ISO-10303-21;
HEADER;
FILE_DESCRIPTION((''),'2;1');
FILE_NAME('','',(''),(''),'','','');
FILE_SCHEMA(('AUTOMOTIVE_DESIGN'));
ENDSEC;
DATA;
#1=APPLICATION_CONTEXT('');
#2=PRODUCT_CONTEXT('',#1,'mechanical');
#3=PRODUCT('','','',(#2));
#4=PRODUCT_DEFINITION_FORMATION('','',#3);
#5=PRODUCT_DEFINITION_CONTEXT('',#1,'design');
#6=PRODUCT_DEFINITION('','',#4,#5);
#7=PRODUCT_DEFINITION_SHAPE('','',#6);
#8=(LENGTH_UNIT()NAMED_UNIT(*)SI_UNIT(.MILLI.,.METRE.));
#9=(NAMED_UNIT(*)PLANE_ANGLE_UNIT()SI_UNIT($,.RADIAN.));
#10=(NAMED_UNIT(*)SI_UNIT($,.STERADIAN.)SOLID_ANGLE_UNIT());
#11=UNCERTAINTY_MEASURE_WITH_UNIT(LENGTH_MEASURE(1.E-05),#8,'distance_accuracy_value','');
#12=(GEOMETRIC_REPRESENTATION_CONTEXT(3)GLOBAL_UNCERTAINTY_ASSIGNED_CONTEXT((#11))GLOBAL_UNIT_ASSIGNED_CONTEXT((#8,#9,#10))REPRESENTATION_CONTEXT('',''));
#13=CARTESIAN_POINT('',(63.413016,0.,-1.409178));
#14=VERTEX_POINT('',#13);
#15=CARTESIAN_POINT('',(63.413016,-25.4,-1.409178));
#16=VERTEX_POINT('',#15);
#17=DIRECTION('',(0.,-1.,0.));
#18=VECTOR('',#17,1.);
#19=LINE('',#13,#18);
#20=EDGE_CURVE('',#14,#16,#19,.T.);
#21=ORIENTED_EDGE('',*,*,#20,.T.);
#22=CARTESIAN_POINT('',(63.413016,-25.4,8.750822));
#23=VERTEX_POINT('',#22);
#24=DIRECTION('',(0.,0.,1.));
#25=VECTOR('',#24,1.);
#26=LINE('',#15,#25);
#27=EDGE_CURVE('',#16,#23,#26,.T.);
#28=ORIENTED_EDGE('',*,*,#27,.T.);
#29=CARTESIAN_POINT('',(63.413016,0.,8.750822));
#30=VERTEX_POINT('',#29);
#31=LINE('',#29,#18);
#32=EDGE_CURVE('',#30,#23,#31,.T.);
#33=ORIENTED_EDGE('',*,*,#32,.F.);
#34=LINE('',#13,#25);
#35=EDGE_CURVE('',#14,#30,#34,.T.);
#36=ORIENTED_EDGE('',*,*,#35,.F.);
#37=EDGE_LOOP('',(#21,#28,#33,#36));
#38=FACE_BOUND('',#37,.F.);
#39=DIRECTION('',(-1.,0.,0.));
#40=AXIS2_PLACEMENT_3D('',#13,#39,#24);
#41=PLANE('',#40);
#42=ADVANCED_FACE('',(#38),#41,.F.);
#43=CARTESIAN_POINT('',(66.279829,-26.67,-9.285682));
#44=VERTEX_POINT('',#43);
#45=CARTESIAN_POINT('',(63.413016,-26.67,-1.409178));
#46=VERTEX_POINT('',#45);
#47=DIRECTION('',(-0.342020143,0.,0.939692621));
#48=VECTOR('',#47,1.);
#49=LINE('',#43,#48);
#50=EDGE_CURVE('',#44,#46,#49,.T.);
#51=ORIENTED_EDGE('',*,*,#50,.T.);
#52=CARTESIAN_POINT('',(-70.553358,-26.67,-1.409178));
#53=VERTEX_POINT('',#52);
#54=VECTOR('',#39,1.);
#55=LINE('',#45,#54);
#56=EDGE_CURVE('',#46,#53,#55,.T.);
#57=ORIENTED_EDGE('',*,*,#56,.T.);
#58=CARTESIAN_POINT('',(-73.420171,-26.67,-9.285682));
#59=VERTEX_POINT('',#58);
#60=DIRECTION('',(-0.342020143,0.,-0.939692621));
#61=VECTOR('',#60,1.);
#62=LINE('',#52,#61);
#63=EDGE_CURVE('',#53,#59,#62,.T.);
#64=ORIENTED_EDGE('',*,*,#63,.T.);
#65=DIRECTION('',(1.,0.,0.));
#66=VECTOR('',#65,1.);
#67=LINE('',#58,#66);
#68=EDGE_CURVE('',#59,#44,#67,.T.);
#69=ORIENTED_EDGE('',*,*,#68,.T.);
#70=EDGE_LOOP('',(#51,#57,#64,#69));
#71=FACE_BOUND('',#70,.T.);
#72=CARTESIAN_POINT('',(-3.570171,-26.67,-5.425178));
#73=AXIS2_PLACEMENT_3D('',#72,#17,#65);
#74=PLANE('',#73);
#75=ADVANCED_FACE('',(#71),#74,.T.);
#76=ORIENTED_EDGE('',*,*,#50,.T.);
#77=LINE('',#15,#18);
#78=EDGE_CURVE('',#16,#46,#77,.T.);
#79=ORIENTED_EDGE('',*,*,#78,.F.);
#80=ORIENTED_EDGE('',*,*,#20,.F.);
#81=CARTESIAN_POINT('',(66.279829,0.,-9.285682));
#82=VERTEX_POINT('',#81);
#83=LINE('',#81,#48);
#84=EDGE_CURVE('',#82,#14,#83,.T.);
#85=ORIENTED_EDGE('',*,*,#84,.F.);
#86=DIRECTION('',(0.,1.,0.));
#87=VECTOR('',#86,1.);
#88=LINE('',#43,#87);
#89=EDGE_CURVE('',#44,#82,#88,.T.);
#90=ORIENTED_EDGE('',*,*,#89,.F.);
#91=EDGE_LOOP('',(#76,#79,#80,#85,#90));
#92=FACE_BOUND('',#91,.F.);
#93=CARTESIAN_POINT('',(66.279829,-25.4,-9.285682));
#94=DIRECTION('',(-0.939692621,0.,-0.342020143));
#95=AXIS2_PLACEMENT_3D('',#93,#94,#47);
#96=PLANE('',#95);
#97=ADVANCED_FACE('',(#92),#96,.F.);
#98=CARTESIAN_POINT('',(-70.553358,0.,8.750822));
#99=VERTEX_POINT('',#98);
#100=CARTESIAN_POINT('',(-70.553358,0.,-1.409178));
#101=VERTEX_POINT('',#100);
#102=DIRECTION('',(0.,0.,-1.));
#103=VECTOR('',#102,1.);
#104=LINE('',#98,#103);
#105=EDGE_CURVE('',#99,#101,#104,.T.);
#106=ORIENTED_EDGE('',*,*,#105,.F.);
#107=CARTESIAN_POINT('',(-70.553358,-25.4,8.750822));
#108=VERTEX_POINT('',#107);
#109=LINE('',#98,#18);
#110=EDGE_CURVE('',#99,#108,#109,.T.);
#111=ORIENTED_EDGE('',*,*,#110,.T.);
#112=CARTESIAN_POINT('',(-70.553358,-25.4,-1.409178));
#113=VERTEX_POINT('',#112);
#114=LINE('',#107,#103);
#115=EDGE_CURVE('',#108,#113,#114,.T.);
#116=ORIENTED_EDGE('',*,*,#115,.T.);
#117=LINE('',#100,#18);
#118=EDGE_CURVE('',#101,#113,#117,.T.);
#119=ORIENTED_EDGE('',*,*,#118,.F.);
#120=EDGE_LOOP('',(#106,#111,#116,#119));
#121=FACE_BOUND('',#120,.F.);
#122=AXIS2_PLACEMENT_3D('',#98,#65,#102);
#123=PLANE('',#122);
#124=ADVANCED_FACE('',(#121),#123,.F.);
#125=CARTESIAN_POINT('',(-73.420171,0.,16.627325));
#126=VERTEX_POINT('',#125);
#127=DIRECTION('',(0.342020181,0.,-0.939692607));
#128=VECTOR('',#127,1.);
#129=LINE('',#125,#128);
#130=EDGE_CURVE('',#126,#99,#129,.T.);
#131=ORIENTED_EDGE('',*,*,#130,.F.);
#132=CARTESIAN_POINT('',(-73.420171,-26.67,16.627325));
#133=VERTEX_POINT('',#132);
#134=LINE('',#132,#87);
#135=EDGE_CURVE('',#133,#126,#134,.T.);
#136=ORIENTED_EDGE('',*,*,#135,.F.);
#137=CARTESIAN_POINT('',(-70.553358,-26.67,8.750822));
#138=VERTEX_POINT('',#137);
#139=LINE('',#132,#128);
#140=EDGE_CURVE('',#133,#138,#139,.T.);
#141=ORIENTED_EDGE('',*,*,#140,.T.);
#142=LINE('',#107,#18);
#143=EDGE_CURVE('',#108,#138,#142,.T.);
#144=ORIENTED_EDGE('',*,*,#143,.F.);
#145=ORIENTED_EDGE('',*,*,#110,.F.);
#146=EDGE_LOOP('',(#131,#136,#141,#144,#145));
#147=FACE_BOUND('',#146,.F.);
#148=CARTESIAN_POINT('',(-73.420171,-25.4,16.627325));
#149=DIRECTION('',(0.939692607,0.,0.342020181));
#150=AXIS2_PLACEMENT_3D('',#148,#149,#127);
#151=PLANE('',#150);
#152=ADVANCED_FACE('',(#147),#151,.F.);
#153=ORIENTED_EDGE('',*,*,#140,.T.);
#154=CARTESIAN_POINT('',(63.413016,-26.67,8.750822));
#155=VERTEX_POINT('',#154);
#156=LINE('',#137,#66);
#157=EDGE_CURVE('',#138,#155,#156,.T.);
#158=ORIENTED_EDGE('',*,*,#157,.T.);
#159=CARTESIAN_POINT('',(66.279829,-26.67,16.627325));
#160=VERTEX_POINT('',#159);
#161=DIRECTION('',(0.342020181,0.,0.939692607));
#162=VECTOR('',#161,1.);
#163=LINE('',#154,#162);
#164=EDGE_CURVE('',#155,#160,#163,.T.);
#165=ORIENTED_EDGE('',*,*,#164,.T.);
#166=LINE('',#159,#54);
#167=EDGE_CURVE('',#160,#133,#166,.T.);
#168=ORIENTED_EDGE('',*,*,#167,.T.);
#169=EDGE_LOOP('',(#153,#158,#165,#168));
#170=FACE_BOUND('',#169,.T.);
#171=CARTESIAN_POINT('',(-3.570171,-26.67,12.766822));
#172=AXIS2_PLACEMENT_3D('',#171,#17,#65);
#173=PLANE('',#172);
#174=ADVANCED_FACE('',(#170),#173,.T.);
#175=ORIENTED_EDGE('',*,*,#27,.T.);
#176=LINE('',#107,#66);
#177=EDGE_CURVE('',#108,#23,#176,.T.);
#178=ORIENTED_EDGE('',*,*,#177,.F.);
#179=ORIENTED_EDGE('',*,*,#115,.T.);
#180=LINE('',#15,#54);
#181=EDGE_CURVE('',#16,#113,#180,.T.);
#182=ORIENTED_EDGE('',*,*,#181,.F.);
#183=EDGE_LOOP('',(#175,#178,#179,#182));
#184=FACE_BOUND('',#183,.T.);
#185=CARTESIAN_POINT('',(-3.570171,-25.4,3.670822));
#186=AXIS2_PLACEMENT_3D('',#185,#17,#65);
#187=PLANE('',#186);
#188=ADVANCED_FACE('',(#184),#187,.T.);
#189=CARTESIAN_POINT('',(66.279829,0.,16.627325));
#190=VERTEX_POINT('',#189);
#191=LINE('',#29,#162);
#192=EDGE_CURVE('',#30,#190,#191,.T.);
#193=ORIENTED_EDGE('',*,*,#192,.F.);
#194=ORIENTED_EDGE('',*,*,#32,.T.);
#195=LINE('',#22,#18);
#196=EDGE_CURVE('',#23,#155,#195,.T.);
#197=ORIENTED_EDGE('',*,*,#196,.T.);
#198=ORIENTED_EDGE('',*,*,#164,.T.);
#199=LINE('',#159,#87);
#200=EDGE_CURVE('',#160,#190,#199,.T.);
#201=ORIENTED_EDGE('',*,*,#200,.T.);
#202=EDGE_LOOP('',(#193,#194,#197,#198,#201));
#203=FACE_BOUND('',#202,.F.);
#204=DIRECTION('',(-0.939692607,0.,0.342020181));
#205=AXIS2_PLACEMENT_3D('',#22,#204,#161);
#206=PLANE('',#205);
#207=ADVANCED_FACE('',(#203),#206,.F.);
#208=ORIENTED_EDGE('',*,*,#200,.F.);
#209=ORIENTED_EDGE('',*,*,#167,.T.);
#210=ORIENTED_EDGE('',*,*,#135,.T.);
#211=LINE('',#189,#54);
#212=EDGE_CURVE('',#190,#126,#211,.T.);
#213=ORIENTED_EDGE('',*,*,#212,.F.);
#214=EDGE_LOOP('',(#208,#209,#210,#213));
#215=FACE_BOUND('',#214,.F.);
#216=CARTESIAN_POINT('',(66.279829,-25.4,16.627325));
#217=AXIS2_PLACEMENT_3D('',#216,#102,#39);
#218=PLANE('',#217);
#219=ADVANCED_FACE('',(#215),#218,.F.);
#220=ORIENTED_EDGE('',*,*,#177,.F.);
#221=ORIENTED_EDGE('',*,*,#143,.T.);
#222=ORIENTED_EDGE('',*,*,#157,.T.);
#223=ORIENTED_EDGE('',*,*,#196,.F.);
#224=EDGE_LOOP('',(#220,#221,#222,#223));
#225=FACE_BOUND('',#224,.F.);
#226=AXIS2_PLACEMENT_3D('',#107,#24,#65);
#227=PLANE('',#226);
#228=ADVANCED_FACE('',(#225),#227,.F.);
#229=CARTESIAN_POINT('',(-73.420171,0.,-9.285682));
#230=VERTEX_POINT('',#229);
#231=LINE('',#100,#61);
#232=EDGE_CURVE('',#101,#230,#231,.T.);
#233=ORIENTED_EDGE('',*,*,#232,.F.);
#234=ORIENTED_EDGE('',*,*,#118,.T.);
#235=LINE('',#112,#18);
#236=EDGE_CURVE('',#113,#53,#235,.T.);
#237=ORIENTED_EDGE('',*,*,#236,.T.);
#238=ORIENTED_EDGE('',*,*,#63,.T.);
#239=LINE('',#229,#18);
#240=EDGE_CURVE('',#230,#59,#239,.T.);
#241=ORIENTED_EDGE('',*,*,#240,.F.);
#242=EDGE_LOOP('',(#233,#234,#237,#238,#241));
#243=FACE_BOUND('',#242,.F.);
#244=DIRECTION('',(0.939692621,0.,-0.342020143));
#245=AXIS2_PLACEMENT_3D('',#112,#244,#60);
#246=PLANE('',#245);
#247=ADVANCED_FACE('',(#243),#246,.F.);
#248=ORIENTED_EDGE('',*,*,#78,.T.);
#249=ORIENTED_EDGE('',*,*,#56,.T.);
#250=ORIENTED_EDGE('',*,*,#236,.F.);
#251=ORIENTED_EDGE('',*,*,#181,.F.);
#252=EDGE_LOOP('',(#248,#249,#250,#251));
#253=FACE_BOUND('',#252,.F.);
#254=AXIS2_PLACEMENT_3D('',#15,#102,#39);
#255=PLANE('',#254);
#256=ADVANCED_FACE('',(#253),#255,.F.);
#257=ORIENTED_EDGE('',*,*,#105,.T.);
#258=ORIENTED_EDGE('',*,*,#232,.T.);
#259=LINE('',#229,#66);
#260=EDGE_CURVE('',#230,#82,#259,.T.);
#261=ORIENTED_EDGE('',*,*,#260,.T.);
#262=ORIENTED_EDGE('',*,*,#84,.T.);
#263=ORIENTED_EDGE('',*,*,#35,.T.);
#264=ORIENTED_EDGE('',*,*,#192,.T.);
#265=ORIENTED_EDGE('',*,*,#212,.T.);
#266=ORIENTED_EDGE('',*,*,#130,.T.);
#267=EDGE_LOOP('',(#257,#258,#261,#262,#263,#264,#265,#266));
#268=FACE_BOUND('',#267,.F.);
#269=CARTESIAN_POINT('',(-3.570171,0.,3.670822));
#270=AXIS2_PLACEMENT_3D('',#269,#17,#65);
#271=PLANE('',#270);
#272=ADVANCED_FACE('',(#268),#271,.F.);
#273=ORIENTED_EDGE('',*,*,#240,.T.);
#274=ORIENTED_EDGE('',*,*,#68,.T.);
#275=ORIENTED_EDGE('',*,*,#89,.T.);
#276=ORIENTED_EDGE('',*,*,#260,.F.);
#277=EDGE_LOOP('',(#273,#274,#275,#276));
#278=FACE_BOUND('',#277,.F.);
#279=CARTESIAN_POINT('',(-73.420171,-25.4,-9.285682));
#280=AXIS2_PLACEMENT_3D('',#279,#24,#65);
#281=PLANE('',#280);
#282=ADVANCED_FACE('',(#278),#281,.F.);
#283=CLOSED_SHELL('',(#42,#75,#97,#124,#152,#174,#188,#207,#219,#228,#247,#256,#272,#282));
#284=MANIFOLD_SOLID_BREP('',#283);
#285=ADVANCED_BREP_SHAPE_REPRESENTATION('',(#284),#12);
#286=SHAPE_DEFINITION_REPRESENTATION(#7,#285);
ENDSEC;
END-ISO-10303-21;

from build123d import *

# Parameters (mm, degrees)
F1_DEPTH = 25.4
F3_DEPTH = 1.27
F4_DEPTH = 1.27


with BuildPart() as f1:
    # F0 (on Front) → F1 (new body)
    with BuildSketch(Plane.XZ):
        Polygon((66.279829, 16.627325), (-73.420171, 16.627325), (-70.553358, 8.750822), (-70.553358, -1.409178), (-73.420171, -9.285682), (66.279829, -9.285682), (63.413016, -1.409178), (63.413016, 8.750822), align=None)
    extrude(amount=F1_DEPTH)

    # F2 (on face) → F3 (join)
    with BuildSketch(Plane.XZ.offset(25.4)):
        Polygon((-73.420171, 16.627325), (-70.553358, 8.750822), (63.413016, 8.750822), (66.279829, 16.627325), align=None)
    extrude(amount=F3_DEPTH)

    # F2 (on face) → F4 (join)
    with BuildSketch(Plane.XZ.offset(25.4)):
        Polygon((63.413016, -1.409178), (-70.553358, -1.409178), (-73.420171, -9.285682), (66.279829, -9.285682), align=None)
    extrude(amount=F4_DEPTH)


solid = f1.part
